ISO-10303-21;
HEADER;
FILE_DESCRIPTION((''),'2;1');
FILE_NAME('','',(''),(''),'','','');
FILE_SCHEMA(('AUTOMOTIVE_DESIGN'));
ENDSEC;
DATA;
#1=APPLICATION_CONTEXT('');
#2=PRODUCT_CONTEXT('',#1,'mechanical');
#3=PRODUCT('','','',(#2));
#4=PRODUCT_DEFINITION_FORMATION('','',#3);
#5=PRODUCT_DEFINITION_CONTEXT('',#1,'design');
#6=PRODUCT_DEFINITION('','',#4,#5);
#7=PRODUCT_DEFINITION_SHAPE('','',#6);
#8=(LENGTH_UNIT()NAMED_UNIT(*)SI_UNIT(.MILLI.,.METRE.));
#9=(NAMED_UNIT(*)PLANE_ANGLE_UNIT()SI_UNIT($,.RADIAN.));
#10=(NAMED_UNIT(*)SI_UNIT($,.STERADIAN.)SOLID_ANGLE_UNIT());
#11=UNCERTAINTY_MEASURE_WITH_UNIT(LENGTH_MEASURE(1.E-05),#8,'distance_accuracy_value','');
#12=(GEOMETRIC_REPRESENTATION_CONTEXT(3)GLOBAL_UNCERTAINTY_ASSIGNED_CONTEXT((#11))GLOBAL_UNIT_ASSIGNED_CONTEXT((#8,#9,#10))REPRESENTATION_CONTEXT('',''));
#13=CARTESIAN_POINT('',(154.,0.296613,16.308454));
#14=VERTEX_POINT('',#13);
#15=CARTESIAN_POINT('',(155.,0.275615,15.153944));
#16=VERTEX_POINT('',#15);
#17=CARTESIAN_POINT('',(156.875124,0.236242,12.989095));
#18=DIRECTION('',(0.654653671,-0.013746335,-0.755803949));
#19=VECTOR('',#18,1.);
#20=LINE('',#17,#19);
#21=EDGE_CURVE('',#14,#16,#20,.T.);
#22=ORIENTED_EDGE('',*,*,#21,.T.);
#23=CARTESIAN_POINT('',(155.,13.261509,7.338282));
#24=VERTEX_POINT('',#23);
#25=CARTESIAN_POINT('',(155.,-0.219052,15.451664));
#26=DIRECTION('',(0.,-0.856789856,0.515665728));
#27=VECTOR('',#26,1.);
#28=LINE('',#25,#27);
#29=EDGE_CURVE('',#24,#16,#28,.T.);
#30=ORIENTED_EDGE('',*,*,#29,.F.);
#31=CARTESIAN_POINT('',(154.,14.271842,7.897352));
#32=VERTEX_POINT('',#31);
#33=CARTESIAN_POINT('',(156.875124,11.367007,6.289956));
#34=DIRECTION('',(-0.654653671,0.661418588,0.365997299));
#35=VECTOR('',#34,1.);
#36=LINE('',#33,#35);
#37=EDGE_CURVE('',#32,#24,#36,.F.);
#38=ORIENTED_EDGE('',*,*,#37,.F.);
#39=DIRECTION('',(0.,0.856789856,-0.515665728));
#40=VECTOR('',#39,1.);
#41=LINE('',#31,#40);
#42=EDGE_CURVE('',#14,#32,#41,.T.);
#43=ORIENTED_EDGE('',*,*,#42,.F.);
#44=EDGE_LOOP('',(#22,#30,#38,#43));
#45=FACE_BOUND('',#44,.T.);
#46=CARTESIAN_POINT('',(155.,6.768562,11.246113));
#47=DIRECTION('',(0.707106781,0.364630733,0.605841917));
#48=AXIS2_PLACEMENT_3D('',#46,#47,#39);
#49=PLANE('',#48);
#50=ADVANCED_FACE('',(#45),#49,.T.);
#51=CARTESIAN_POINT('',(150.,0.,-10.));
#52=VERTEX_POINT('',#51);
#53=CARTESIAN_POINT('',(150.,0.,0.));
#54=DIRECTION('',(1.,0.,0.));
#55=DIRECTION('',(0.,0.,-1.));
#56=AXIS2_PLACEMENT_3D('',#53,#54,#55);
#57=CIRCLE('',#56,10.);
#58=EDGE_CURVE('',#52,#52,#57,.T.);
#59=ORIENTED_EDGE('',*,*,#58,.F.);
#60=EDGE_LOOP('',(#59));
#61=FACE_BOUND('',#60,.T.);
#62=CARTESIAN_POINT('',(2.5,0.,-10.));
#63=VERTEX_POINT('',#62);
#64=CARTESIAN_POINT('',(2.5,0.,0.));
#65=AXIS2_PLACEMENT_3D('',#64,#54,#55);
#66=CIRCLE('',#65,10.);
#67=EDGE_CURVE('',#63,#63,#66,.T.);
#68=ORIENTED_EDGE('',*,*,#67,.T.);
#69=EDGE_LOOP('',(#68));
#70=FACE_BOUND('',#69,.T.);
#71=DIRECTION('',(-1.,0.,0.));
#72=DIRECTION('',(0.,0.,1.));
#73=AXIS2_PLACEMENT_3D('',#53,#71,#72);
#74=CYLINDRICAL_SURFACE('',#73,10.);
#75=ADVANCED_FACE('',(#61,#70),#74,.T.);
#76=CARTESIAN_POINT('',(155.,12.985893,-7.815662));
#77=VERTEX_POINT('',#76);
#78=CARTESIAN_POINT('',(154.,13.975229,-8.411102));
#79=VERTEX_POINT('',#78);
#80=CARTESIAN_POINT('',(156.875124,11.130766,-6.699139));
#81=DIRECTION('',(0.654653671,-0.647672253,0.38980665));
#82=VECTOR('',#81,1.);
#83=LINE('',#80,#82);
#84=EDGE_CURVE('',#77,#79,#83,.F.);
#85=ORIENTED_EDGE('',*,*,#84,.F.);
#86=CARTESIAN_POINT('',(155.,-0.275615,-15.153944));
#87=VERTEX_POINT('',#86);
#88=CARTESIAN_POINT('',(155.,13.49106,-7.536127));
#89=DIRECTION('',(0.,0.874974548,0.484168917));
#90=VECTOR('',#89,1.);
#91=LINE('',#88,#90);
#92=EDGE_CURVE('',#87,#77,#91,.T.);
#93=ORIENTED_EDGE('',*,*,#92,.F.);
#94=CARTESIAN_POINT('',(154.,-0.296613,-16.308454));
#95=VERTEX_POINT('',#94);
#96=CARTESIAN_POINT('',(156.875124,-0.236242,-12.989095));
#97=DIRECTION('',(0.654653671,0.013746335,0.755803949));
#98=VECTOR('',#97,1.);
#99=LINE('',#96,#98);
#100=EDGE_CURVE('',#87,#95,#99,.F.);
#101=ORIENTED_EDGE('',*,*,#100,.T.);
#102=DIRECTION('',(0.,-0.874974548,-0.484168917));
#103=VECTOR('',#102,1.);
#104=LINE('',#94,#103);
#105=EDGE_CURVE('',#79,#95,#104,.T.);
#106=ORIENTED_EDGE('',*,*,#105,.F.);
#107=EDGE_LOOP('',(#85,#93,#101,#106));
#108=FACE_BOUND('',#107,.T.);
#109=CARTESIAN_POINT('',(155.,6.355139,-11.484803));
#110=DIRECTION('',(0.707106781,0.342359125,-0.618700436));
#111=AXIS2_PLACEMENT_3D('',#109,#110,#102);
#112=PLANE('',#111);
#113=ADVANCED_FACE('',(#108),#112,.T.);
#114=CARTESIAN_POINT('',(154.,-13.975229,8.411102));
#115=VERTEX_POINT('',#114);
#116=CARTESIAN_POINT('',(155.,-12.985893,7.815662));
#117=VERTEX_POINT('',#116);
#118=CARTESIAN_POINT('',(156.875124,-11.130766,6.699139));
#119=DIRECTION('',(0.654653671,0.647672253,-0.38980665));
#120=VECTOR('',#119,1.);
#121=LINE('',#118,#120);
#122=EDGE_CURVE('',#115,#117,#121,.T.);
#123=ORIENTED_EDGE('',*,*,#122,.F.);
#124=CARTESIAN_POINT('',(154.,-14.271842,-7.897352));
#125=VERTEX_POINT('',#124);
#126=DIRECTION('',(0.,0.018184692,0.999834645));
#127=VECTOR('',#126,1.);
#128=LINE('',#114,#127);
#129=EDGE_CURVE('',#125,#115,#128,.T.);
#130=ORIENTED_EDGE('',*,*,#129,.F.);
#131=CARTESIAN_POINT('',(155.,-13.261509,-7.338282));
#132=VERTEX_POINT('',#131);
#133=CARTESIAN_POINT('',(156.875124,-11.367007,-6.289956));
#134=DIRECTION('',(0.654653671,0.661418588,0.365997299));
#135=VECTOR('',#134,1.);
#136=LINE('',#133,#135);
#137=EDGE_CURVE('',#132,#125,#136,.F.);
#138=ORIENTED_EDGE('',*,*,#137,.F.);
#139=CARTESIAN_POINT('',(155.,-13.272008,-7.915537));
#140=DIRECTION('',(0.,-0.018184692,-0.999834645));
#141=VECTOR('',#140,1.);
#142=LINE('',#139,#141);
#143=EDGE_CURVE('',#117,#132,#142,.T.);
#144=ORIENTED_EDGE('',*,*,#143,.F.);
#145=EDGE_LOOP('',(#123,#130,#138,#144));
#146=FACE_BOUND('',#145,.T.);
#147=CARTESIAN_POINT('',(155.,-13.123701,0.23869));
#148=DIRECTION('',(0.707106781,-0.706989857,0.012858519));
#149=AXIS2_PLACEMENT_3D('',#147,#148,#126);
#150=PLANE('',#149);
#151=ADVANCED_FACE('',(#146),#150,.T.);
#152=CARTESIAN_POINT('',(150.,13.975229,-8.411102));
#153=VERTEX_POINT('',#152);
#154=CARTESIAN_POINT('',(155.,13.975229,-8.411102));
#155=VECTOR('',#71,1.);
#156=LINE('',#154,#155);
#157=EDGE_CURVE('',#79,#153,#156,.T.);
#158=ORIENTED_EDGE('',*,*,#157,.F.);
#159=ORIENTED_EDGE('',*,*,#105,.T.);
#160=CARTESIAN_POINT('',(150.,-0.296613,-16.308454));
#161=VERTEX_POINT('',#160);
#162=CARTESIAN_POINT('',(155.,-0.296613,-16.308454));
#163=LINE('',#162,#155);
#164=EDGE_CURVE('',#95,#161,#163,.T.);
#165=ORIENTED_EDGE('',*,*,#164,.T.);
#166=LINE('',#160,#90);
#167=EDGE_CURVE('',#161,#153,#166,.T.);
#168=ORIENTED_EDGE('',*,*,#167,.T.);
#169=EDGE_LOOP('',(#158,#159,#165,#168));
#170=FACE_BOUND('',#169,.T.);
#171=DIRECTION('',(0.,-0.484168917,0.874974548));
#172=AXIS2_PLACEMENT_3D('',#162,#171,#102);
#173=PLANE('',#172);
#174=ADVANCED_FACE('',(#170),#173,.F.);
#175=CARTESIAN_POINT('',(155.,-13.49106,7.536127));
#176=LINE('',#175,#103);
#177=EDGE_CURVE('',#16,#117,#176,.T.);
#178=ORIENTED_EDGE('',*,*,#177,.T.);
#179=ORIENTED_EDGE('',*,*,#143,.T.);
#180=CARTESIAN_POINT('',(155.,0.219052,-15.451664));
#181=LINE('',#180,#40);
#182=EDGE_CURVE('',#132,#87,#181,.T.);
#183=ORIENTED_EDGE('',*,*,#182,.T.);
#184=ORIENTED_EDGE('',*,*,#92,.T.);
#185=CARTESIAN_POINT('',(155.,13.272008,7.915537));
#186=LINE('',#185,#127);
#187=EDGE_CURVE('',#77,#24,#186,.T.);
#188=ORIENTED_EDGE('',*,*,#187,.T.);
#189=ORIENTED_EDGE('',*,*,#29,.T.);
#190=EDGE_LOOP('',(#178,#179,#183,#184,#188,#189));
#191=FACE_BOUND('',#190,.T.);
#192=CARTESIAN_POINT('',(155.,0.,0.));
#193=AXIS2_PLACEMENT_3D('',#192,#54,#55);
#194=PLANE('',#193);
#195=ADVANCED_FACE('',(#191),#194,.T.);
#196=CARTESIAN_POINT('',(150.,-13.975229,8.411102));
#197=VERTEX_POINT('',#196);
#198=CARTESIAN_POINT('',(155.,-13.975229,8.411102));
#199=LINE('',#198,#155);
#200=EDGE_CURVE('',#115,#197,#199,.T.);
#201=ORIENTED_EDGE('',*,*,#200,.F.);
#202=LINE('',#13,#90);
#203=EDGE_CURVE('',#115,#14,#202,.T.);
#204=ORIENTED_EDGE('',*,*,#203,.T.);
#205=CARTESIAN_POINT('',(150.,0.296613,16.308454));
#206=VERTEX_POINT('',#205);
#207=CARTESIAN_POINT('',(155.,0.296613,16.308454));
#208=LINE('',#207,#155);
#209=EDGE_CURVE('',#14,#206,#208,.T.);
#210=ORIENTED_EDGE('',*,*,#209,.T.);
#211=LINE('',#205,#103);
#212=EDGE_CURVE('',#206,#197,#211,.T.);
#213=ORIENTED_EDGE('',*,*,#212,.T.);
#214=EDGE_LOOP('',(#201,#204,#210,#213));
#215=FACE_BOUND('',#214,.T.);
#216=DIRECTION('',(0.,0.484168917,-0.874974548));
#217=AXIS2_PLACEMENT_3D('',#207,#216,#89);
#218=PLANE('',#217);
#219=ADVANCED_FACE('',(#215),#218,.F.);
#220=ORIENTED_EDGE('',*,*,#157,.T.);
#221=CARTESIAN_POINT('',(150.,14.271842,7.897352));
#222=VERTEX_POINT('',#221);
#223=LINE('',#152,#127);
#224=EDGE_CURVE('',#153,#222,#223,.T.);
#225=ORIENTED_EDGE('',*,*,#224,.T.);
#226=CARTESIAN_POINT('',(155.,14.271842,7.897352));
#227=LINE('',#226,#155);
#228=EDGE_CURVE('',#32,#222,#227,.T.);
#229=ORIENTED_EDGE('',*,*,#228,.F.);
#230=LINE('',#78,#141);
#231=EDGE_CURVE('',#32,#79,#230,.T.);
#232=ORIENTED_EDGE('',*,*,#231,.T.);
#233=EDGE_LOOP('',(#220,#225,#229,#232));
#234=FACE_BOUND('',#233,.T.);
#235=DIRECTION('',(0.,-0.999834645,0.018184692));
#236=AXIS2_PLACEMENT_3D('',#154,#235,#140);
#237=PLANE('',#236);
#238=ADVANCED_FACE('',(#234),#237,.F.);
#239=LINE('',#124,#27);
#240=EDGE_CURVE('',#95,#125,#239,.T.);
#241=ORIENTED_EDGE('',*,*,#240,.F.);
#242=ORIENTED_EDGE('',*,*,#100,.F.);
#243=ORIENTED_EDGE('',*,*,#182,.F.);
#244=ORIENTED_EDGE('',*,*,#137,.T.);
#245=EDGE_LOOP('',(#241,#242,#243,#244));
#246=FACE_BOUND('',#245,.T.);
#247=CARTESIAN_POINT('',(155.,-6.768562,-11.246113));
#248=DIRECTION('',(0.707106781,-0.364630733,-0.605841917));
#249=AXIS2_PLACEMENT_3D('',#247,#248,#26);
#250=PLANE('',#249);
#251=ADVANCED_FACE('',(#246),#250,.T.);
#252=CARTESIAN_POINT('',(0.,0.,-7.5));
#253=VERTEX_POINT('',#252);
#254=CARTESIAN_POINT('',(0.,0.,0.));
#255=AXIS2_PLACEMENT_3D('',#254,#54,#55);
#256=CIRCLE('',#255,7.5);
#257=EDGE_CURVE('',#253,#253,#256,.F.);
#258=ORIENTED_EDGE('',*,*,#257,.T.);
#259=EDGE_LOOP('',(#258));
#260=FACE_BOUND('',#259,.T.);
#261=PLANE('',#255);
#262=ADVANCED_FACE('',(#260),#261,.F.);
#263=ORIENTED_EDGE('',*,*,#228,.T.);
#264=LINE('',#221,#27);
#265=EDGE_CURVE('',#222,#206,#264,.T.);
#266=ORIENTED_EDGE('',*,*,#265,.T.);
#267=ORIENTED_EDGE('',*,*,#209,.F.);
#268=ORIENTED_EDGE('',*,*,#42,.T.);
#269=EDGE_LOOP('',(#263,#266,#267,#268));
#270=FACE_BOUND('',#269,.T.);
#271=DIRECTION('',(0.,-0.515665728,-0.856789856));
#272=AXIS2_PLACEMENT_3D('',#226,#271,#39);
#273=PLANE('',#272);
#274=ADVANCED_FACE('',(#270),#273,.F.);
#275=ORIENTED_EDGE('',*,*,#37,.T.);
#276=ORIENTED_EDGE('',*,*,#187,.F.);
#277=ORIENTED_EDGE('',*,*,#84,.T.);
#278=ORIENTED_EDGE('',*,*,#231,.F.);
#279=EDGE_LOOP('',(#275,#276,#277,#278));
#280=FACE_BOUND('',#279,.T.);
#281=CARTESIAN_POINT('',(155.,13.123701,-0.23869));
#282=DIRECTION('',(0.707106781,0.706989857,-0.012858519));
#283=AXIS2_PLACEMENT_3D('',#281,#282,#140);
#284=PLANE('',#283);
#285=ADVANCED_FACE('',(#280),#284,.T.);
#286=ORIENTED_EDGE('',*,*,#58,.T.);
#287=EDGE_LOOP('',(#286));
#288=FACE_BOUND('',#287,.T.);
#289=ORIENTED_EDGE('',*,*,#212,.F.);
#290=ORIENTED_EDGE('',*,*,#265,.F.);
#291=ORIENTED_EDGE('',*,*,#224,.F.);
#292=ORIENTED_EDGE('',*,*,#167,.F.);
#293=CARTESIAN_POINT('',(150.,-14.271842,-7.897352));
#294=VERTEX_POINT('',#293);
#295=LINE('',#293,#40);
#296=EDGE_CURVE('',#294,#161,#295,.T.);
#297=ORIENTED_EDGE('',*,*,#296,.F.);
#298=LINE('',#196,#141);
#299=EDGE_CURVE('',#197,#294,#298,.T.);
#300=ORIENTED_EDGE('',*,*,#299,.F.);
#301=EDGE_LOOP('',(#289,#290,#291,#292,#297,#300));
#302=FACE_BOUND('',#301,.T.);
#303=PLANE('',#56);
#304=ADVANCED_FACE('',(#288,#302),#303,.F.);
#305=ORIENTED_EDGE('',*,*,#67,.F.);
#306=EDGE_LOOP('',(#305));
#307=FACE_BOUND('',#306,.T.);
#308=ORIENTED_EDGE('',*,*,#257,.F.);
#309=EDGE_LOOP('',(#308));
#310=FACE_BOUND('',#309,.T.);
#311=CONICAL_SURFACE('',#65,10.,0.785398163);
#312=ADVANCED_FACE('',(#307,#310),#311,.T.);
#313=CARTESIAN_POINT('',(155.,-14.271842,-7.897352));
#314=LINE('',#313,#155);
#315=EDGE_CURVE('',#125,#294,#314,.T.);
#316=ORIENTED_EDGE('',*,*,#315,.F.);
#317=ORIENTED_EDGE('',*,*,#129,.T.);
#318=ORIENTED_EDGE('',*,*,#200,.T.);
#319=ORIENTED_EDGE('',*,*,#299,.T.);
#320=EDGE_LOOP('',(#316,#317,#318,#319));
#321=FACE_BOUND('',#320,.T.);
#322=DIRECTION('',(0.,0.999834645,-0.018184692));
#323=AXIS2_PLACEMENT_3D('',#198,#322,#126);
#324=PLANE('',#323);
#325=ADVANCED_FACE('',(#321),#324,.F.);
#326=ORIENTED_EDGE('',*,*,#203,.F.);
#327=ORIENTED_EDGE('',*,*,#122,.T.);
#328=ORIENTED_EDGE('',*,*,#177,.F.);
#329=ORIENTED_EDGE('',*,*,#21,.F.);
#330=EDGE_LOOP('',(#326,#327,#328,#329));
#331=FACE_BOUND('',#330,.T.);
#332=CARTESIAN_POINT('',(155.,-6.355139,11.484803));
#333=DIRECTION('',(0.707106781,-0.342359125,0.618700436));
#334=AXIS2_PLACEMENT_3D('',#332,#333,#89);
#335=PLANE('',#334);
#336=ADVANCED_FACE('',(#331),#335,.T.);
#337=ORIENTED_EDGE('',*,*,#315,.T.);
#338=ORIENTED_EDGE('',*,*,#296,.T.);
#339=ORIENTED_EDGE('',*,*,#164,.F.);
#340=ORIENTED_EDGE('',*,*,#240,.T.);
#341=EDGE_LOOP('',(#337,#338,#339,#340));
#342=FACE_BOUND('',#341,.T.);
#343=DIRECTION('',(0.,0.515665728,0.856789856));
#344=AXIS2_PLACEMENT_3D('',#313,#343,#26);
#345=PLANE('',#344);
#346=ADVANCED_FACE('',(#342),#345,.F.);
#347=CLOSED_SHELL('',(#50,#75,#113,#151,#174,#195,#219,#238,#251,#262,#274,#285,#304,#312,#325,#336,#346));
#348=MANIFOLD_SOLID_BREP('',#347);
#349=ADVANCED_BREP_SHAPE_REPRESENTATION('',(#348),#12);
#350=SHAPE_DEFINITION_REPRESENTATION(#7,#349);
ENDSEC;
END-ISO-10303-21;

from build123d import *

# Parameters (mm, degrees)
SKETCH1_R           = 10
BOSS_EXTRUDE1_DEPTH = 150
BOSS_EXTRUDE2_DEPTH = 5
CHAMFER1_SIZE       = 1
CHAMFER3_SIZE       = 2.5


with BuildPart() as part:
    # Sketch1 → Boss-Extrude1 (new body)
    with BuildSketch(Plane(origin=(0, 0, 0), x_dir=(0, 0, -1), z_dir=(1, 0, 0))):
        Circle(SKETCH1_R)
    extrude(amount=BOSS_EXTRUDE1_DEPTH)

    # Sketch2 → Boss-Extrude2 (add)
    with BuildSketch(Plane(origin=(150, 0, 0), x_dir=(0, 0, -1), z_dir=(1, 0, 0))):
        Polygon((-16.308454096, 0.29661326), (-8.411101666, -13.975228914), (7.89735243, -14.271842174), (16.308454096, -0.29661326), (8.411101666, 13.975228914), (-7.89735243, 14.271842174), align=None)
    extrude(amount=BOSS_EXTRUDE2_DEPTH)

    # Chamfer1
    chamfer1_edges = [part.edges().sort_by_distance(p)[0] for p in [
        (155, 7.284227717, 12.102903263),
        (155, -6.839307827, 12.359777881),
        (155, -14.123535544, 0.256874618),
        (155, -7.284227717, -12.102903263),
        (155, 6.839307827, -12.359777881),
        (155, 14.123535544, -0.256874618),
    ]]
    chamfer(chamfer1_edges, length=CHAMFER1_SIZE)

    # Chamfer3
    chamfer3_edges = [part.edges().sort_by_distance(p)[0] for p in [
        (0, 0, 10),
    ]]
    chamfer(chamfer3_edges, length=CHAMFER3_SIZE)


solid = part.part
